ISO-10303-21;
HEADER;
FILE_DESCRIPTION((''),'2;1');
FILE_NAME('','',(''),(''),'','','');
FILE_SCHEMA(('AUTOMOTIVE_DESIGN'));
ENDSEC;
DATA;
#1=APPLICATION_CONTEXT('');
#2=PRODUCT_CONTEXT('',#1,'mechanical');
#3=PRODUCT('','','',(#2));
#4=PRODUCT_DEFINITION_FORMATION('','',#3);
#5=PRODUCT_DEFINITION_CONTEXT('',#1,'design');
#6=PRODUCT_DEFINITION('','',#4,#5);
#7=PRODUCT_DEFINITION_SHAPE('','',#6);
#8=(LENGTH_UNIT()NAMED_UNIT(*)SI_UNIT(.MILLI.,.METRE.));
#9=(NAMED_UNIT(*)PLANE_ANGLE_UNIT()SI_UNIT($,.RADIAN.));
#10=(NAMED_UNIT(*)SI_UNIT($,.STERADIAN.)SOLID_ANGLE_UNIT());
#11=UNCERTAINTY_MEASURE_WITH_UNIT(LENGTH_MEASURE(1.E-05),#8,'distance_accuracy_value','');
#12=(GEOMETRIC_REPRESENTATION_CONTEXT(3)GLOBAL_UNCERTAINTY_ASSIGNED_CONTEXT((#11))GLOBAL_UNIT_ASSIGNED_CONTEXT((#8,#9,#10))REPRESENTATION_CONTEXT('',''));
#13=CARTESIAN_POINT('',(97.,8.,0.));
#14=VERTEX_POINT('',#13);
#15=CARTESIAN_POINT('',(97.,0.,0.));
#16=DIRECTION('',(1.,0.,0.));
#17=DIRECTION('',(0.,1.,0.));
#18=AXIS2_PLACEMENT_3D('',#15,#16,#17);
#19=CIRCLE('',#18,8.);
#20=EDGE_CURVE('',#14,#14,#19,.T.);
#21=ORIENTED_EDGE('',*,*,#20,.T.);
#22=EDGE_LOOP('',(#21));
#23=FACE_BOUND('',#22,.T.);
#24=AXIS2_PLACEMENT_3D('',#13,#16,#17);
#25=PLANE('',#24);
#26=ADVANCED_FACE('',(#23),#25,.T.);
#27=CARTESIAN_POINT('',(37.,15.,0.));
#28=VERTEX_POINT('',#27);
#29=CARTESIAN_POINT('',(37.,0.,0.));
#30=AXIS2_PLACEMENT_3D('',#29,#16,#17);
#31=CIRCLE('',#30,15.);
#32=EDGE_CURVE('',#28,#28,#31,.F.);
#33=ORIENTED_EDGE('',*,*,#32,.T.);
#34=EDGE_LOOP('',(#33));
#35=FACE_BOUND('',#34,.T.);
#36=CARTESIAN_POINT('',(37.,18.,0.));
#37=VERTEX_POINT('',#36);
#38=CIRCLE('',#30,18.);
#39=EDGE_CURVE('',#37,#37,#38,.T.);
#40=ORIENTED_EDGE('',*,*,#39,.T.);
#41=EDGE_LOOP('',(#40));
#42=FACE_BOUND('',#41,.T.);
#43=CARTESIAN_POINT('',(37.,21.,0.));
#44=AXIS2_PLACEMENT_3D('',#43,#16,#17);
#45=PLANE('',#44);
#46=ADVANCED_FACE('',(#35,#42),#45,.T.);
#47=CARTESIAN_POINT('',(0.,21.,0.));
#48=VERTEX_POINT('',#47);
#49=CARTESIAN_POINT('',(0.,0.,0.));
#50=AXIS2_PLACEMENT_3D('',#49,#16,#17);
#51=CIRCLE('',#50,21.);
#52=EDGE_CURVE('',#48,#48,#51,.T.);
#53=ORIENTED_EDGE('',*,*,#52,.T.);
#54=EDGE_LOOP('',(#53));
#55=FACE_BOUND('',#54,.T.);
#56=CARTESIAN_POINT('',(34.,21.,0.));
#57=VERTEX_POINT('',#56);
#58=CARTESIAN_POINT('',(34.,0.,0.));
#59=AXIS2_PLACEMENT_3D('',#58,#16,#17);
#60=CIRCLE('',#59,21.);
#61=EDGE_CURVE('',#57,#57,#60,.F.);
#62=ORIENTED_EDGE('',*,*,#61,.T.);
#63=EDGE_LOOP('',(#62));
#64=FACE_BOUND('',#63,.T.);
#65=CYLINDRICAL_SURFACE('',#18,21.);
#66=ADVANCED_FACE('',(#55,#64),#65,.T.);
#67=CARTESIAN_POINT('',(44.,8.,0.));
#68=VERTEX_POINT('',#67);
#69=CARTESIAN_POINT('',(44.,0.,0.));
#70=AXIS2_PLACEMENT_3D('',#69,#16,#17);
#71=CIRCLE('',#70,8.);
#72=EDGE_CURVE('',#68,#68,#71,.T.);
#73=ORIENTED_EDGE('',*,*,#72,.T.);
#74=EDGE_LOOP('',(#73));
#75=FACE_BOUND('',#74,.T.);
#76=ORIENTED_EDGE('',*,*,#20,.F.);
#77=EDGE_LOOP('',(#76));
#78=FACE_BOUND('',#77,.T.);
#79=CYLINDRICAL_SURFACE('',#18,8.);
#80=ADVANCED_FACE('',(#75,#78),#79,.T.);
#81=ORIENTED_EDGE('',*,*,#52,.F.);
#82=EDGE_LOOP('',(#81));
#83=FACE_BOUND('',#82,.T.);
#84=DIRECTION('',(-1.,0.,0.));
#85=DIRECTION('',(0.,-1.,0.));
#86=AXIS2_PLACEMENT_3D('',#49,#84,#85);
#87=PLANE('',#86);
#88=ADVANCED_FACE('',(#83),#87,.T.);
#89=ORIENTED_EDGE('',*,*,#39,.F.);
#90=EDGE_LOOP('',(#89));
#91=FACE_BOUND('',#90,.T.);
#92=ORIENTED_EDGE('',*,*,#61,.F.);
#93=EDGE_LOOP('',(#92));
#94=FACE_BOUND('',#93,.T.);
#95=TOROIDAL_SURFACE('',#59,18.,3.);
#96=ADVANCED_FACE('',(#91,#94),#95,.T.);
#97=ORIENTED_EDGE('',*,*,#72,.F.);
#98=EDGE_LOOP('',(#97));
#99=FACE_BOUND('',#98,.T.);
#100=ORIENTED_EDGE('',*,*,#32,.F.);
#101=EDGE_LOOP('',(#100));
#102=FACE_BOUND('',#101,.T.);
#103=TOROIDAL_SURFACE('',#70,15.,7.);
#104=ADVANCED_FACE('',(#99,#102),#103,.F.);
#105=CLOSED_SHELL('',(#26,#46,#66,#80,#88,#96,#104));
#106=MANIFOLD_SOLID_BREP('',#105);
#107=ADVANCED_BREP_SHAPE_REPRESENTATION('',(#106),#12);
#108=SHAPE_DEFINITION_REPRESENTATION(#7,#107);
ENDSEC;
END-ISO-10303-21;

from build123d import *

# Parameters (mm, degrees)
FILLET1_R = 3
FILLET2_R = 7


with BuildPart() as part:
    # Sketch1 → Revolve1 (revolve)
    with BuildSketch(Plane.XY):
        Polygon((0, 0), (0, 21), (37, 21), (37, 8), (97, 8), (97, 0), align=None)
    revolve(axis=Axis((97, 0, 0), (-1, 0, 0)))

    # Fillet1
    fillet1_edges = [part.edges().sort_by_distance(p)[0] for p in [
        (37, -21, 0),
    ]]
    fillet(fillet1_edges, radius=FILLET1_R)

    # Fillet2
    fillet2_edges = [part.edges().sort_by_distance(p)[0] for p in [
        (37, -8, 0),
    ]]
    fillet(fillet2_edges, radius=FILLET2_R)


solid = part.part
